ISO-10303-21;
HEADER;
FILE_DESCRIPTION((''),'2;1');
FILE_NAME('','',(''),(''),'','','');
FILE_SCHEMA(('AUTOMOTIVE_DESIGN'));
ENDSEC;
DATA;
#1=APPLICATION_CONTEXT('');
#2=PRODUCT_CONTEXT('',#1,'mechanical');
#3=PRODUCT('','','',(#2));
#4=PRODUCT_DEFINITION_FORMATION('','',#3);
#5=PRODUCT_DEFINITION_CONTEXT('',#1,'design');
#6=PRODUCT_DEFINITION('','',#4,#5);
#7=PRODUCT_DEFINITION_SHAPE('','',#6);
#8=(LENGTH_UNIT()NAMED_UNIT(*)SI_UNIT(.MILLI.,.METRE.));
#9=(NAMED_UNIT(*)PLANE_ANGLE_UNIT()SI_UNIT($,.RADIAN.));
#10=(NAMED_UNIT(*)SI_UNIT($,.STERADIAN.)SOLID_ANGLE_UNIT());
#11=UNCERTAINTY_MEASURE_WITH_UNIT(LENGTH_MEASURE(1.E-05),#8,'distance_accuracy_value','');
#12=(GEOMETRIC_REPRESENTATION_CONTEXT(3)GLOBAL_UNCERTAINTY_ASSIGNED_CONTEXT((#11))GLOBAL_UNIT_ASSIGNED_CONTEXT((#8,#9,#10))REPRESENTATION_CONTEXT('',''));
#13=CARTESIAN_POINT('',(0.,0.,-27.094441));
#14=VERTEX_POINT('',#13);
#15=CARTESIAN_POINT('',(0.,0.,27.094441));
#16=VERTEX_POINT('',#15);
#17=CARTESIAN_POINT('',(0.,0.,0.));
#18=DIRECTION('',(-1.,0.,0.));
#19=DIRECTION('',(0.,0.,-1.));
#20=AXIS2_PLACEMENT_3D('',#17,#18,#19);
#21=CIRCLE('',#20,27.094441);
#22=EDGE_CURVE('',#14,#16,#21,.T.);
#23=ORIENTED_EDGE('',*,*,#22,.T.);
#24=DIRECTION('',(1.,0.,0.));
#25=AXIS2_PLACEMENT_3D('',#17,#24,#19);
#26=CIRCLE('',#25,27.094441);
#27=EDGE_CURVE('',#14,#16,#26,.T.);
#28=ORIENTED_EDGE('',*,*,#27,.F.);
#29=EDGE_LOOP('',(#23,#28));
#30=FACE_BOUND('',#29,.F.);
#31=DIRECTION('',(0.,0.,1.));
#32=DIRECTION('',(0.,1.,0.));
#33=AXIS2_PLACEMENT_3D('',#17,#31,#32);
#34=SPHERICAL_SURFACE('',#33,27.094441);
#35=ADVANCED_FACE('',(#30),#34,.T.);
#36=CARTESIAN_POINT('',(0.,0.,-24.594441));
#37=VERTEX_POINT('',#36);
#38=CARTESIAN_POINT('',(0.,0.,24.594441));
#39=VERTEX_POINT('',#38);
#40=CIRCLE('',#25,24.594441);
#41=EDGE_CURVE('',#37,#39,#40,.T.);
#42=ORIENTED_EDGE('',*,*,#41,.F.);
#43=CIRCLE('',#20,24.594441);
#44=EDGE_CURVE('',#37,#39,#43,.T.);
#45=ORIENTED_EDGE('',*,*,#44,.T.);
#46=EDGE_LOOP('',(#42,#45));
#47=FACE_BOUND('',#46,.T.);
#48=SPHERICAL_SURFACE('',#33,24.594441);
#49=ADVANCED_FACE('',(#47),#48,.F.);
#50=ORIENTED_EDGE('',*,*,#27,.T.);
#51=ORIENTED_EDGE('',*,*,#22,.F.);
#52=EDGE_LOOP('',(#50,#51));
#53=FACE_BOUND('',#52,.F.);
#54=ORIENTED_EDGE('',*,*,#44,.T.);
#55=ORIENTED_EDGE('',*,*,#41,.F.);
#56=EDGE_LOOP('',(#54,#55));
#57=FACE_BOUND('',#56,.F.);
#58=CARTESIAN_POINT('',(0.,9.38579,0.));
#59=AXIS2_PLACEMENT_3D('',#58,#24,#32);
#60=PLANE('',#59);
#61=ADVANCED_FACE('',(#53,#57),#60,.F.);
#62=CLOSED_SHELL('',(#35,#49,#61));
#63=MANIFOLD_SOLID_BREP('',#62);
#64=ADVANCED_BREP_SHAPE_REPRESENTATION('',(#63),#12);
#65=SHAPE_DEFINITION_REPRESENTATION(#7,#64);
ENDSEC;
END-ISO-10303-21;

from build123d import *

# Parameters (mm, degrees)
F1_ANGLE_BACK = 90
F1_ANGLE      = 180
F2_T          = -2.5


with BuildPart() as f1:
    # F0 (on Front) → F1 (revolve)
    with BuildSketch(Plane.XZ, mode=Mode.PRIVATE) as f1_sk:
        with BuildLine():
            Line((0, 27.09444111), (0, -27.09444111))
            ThreePointArc((0, -27.09444111), (27.09444111, 0), (0, 27.09444111))
        make_face()
    revolve(f1_sk.sketch.rotate(Axis((0, 0, 0), (0, 0, -1)), -F1_ANGLE_BACK), axis=Axis((0, 0, 0), (0, 0, -1)), revolution_arc=F1_ANGLE)

    # F2
    f2_openings = [f1.faces().sort_by_distance(p)[0] for p in [
        (0, 0, 0),
    ]]
    offset(amount=F2_T, openings=f2_openings)


solid = f1.part
